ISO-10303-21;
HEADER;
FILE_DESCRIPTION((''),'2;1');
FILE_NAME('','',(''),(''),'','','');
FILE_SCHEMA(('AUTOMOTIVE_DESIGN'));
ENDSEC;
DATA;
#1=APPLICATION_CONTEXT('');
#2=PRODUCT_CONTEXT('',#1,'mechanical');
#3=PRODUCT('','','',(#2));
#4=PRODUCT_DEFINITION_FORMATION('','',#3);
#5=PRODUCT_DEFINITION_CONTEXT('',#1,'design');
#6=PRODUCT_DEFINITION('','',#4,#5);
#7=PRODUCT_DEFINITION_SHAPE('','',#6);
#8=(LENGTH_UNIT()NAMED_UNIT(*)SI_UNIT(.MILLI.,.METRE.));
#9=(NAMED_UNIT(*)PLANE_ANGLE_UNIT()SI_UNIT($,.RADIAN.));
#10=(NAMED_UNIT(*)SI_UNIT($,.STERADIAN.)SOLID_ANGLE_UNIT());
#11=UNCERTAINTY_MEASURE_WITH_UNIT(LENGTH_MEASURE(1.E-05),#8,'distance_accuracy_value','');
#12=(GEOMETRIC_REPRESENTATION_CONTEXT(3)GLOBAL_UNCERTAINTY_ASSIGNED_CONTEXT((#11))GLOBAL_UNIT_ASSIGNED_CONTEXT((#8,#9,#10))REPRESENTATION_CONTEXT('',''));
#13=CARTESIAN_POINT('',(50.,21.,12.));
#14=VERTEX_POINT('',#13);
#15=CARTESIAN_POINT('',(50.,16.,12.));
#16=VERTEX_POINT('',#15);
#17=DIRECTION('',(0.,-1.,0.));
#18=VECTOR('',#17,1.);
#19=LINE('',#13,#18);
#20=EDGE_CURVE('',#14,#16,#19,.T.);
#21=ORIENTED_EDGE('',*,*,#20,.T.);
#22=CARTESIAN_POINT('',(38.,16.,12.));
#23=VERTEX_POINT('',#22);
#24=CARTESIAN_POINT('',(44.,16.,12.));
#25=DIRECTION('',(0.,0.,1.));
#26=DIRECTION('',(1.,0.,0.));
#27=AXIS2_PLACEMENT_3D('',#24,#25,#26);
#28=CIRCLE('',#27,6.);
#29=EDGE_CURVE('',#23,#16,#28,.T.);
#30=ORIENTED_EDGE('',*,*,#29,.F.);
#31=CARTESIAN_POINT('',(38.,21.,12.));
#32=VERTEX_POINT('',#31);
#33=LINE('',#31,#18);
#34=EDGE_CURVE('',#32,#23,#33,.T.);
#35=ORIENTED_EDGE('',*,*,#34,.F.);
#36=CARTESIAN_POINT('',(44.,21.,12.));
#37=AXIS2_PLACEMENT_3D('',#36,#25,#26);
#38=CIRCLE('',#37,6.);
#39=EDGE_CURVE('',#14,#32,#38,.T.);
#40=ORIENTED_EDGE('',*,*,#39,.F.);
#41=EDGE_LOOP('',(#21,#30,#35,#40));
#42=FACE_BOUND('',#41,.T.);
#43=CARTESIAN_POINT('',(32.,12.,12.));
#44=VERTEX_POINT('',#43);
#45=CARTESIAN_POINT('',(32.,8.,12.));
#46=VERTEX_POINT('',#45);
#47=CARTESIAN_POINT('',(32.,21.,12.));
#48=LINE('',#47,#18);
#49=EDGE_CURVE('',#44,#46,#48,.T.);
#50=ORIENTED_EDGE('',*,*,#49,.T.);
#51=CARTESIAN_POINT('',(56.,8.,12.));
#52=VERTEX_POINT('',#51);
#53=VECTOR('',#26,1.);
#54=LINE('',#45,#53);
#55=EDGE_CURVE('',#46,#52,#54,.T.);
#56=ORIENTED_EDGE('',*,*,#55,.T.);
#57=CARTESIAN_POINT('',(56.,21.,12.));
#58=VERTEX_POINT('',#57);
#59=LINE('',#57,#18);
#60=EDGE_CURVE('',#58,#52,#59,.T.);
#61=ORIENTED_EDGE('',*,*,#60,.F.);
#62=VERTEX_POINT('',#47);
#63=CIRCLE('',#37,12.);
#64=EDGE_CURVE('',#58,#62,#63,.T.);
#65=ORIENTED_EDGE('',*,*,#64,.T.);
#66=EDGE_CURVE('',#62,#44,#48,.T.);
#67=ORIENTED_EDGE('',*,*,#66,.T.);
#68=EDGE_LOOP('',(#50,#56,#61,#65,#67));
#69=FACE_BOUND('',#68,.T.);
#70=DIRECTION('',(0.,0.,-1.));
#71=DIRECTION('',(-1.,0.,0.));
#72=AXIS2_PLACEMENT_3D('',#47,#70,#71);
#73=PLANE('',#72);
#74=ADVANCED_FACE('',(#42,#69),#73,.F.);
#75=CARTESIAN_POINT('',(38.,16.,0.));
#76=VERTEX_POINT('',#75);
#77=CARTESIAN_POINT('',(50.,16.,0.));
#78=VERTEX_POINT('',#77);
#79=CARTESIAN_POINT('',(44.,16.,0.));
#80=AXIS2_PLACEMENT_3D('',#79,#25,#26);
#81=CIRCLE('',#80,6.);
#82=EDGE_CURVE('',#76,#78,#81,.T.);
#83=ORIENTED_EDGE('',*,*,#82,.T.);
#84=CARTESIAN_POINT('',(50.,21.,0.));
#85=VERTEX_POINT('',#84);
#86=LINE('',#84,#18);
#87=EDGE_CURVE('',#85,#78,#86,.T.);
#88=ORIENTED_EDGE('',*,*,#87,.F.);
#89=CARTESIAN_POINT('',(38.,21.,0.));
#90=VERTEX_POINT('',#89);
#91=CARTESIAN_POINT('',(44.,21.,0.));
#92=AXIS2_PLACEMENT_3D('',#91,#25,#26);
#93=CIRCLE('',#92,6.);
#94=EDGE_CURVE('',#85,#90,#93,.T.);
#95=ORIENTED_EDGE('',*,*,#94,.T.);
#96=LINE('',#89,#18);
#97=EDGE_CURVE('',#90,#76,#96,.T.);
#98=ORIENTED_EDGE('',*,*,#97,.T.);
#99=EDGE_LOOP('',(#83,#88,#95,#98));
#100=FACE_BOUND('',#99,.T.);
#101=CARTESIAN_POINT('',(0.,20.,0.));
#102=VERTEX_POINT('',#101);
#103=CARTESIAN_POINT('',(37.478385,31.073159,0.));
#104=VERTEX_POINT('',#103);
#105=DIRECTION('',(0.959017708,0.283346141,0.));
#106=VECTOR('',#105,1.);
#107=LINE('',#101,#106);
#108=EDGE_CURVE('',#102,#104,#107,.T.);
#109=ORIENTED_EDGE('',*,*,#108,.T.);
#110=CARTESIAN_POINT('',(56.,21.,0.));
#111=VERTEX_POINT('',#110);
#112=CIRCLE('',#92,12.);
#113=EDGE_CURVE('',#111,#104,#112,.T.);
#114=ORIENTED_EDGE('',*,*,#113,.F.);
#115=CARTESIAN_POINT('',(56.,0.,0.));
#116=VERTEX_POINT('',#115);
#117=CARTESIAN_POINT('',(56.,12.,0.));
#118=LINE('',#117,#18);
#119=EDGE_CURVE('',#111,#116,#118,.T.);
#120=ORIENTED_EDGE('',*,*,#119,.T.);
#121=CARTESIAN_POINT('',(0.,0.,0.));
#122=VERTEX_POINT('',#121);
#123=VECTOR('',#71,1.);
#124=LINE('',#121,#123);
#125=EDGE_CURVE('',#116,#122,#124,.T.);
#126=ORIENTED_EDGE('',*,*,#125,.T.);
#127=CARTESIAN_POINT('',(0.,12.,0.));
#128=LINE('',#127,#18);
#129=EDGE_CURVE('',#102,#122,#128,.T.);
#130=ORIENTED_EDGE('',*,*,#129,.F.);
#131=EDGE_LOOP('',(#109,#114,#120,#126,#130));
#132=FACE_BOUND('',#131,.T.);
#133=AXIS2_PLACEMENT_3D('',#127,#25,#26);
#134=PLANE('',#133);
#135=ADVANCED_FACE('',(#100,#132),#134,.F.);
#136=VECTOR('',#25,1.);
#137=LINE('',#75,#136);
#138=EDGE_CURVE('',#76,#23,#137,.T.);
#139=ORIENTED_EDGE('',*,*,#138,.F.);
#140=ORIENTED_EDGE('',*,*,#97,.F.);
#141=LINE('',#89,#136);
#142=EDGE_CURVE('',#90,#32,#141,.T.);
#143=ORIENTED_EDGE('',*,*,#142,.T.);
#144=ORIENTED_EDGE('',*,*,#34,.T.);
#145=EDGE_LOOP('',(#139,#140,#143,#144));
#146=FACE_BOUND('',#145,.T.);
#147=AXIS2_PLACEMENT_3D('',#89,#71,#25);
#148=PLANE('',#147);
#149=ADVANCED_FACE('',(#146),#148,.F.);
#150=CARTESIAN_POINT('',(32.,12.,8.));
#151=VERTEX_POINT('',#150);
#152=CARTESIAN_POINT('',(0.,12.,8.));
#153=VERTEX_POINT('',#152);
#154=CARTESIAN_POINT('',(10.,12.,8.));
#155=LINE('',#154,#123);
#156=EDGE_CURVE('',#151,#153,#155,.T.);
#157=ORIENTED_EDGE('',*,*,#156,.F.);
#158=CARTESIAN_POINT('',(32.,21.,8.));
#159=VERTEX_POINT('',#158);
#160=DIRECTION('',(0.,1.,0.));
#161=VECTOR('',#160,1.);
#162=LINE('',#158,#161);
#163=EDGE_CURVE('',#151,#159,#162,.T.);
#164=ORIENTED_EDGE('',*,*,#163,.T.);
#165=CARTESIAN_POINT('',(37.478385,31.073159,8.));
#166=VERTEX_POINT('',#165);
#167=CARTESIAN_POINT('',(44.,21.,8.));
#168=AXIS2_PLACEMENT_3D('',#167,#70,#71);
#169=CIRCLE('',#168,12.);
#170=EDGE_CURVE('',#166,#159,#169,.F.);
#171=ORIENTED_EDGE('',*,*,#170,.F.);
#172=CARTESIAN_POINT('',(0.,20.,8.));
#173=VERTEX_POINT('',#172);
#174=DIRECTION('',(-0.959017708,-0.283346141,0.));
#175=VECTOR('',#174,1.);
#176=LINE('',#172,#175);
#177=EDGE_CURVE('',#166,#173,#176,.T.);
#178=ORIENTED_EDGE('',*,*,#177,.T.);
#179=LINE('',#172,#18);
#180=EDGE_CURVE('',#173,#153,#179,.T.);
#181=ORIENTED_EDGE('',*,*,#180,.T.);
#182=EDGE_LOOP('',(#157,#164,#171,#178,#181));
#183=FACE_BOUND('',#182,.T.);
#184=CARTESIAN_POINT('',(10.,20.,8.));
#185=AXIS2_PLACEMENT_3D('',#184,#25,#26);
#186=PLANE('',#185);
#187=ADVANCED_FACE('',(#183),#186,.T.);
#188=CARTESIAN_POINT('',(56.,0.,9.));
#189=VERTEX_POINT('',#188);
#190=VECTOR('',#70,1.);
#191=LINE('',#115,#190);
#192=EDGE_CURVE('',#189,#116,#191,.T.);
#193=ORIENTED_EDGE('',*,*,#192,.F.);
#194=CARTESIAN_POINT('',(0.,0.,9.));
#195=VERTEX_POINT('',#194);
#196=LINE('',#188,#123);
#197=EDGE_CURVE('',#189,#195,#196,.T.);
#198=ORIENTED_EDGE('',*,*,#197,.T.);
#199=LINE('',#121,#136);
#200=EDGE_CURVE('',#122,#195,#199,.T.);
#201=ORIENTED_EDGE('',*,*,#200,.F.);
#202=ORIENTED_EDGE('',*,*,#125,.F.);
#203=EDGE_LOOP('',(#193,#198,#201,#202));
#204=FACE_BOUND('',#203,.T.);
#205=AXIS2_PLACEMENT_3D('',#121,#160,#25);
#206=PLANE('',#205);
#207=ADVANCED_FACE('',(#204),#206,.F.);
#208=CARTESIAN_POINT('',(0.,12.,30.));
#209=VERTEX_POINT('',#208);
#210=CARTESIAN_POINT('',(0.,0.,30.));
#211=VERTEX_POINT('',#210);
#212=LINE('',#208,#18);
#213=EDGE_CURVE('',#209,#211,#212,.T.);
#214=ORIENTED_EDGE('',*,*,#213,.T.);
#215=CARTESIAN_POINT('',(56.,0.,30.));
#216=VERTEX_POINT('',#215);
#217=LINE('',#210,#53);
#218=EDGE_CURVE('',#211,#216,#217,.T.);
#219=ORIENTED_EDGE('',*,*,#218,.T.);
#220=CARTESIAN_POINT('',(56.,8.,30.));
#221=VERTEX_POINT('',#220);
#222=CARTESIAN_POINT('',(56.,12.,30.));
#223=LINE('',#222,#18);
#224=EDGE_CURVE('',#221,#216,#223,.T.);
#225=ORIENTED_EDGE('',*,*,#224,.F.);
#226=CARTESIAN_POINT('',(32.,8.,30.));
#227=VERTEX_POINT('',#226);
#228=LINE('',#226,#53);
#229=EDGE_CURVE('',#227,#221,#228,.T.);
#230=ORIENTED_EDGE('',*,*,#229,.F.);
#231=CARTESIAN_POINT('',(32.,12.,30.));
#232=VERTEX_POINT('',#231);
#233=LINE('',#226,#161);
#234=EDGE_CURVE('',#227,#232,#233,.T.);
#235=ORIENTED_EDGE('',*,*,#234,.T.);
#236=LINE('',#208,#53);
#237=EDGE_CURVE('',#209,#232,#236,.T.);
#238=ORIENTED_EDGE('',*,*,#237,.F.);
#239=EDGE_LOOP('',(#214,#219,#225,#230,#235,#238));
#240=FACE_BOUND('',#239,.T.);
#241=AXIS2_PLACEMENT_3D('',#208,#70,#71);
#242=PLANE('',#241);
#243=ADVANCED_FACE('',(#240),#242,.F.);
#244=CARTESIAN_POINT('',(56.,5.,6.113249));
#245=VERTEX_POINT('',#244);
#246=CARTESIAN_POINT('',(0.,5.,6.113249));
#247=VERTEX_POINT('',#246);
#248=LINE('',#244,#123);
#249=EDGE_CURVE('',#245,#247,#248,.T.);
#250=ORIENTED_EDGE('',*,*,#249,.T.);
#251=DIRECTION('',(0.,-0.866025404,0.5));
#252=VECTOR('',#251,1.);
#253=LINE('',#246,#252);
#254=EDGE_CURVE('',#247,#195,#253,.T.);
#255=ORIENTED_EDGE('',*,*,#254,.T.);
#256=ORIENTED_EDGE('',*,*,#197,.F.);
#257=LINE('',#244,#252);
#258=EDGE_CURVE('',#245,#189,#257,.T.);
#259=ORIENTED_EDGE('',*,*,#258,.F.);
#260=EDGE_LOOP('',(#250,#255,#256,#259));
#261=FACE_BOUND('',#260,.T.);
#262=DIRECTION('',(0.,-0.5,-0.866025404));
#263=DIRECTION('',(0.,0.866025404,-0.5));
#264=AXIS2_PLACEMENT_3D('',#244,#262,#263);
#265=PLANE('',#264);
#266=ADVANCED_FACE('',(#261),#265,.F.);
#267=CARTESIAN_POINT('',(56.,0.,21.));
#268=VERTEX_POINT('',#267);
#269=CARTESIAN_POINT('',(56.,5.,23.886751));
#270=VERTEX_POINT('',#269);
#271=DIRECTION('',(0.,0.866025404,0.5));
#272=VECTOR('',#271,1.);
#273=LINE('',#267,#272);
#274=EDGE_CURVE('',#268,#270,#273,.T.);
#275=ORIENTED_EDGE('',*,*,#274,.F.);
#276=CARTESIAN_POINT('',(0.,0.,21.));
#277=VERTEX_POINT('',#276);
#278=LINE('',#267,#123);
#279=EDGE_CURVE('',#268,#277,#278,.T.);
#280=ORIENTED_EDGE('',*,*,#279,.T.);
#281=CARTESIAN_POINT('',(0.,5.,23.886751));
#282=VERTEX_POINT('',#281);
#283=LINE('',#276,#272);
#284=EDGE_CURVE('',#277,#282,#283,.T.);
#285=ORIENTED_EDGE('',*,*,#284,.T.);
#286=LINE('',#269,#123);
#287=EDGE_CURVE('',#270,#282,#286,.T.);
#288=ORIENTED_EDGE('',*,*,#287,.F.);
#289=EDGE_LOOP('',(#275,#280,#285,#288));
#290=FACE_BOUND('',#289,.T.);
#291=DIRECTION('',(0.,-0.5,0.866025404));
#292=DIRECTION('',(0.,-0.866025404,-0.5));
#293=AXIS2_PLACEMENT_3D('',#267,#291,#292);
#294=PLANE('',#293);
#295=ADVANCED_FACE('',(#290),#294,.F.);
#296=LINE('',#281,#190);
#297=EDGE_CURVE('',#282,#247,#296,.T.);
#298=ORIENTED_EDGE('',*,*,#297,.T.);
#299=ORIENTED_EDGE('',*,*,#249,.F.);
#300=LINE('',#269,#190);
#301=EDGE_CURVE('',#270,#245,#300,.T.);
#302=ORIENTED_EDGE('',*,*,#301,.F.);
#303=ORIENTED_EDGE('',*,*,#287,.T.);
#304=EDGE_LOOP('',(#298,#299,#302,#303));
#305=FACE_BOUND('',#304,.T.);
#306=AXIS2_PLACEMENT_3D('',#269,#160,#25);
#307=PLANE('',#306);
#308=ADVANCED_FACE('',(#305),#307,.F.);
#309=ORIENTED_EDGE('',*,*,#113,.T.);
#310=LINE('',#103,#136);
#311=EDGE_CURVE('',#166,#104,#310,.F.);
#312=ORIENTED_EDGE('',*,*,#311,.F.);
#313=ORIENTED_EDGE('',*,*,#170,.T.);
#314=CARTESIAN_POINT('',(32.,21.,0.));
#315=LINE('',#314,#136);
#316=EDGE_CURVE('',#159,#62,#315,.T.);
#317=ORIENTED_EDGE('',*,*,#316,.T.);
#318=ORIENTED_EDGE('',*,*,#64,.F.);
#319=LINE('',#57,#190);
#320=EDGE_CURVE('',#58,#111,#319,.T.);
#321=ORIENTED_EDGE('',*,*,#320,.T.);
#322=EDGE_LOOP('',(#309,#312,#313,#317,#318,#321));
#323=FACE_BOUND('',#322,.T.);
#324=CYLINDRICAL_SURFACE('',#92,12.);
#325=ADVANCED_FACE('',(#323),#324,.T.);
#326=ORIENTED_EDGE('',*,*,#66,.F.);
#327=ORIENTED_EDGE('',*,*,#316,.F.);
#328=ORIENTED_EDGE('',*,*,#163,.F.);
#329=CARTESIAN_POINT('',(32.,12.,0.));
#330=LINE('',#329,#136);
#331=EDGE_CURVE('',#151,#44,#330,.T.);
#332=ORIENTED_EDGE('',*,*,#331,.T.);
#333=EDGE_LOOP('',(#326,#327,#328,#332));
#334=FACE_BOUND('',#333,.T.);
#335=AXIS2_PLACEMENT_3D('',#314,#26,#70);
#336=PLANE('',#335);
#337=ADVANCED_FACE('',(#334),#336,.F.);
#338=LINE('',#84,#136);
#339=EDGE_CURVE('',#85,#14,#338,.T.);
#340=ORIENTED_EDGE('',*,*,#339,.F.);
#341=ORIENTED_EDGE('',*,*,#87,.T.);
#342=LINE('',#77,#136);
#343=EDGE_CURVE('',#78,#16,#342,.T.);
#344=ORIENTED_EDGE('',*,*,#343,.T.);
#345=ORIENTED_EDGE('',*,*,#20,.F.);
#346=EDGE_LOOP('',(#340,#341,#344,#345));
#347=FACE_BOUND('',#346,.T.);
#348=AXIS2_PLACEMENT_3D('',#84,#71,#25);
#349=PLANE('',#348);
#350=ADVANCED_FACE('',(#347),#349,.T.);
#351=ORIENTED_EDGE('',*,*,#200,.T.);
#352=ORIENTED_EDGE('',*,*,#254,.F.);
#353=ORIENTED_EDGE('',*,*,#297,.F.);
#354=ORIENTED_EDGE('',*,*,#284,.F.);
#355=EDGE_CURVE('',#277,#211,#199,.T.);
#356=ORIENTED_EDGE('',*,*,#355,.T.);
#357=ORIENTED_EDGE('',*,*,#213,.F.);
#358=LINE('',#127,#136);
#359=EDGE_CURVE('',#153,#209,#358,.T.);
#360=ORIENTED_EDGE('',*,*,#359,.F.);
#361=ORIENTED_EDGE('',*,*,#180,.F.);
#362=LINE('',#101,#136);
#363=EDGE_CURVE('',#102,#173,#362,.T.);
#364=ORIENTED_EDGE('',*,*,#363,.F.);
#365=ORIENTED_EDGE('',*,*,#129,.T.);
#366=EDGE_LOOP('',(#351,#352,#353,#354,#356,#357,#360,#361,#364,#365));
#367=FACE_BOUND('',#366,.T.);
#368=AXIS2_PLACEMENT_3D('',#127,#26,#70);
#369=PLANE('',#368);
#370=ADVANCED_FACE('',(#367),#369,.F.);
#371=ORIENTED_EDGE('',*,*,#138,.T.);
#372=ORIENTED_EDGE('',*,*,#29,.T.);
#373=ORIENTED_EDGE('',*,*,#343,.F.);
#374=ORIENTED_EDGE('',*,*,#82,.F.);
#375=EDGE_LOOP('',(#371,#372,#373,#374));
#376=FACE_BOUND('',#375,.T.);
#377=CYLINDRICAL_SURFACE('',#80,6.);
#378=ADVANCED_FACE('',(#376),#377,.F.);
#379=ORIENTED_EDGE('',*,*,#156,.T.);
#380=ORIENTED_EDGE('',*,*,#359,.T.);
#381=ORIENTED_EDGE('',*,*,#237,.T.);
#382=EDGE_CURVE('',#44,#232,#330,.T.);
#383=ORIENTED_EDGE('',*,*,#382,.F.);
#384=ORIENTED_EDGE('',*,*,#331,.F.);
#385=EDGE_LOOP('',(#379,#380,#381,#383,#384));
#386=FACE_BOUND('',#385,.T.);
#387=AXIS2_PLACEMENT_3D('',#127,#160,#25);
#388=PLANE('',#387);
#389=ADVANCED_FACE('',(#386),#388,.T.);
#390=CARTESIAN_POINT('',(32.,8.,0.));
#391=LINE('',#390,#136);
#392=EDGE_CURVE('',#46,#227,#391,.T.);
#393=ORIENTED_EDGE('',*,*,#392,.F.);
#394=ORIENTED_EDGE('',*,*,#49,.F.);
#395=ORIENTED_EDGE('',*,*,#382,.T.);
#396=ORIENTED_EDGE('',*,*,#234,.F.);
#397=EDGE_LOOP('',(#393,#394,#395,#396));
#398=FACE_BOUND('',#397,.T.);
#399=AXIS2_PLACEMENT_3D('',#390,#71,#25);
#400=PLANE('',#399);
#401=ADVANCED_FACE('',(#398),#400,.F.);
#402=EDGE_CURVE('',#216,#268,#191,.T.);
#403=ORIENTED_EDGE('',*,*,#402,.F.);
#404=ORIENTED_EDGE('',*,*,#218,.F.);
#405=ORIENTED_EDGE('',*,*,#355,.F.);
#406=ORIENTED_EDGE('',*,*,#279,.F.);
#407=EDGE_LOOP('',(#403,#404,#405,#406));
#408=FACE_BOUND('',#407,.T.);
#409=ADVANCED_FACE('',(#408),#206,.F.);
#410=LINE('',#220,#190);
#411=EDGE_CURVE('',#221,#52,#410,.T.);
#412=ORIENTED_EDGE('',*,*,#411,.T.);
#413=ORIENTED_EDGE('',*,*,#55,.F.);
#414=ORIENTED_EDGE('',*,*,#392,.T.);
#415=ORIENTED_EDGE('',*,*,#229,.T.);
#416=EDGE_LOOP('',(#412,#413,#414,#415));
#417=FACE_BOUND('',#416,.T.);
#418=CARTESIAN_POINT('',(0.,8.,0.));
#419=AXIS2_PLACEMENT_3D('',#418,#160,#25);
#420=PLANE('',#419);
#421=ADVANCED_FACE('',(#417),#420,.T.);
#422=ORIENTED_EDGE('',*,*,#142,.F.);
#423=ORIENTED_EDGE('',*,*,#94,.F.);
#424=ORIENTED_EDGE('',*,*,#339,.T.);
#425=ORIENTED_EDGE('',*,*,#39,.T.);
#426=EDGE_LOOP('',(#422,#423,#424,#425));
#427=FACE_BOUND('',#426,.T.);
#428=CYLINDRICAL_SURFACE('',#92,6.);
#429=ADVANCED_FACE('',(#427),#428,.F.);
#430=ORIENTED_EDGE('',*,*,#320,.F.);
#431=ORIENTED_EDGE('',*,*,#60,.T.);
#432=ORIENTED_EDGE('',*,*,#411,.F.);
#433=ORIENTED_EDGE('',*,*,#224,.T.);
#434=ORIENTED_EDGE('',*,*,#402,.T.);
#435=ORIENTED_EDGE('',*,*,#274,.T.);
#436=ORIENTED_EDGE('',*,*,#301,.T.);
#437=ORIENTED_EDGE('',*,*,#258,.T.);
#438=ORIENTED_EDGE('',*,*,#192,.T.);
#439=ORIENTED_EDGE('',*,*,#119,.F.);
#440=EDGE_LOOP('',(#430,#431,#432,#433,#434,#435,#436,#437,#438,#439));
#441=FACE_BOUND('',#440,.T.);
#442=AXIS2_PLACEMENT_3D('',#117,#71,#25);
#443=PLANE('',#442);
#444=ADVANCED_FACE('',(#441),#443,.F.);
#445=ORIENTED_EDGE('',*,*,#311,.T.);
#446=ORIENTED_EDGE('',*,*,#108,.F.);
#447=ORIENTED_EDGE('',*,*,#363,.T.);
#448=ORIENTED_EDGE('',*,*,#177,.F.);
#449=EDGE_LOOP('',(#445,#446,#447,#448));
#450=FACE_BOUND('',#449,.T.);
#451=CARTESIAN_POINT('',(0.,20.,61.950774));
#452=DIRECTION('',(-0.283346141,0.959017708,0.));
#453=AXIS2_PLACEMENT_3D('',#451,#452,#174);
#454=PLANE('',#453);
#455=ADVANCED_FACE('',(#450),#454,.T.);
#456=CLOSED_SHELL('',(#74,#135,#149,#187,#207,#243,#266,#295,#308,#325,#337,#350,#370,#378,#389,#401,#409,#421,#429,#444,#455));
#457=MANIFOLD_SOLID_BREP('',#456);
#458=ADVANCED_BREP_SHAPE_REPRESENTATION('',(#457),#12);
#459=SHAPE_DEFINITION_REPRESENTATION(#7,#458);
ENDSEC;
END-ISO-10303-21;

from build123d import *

# Parameters (mm, degrees)
SKETCH_2_W          = 56
SKETCH_2_H          = 30
EXTRUDE_2_DEPTH     = 12
CUT_EXTRUDE_1_DEPTH = 65.652919501
SKETCH_6_W          = 24
SKETCH_6_H          = 30
CUT_EXTRUDE_2_DEPTH = 4
SKETCH_8_W          = 10
SKETCH_8_H          = 8
EXTRUDE_1_DEPTH     = 8
SKETCH_9_W          = 24
SKETCH_9_H          = 12
EXTRUDE_3_DEPTH     = 13
SKETCH_10_R         = 12
EXTRUDE_4_DEPTH     = 12
EXTRUDE_START       = -8
EXTRUDE_5_DEPTH     = 8
CUT_EXTRUDE_3_DEPTH = 68.446274916


with BuildPart() as part:
    # 草图2 → 凸台-拉伸2 (new body)
    with BuildSketch(Plane(origin=(0, 0, 0), x_dir=(1, 0, 0), z_dir=(0, 1, 0))):
        with Locations((28, -15)):
            Rectangle(SKETCH_2_W, SKETCH_2_H)
    extrude(amount=EXTRUDE_2_DEPTH)

    # 草图4 → 切除-拉伸1 (cut, through all)
    with BuildSketch(Plane.ZY):
        Polygon((9, 0), (21, 0), (23.886751346, 5), (6.113248654, 5), align=None)
    extrude(amount=-CUT_EXTRUDE_1_DEPTH, mode=Mode.SUBTRACT)

    # 草图6 → 切除-拉伸2 (cut)
    with BuildSketch(Plane(origin=(0, 12, 0), x_dir=(1, 0, 0), z_dir=(0, 1, 0))):
        with Locations((44, -15)):
            Rectangle(SKETCH_6_W, SKETCH_6_H)
    extrude(amount=-CUT_EXTRUDE_2_DEPTH, mode=Mode.SUBTRACT)

    # 草图8 → 拉伸-薄壁1 (add)
    with BuildSketch(Plane(origin=(0, 12, 0), x_dir=(1, 0, 0), z_dir=(0, 1, 0))):
        with Locations((5, -4)):
            Rectangle(SKETCH_8_W, SKETCH_8_H)
    extrude(amount=EXTRUDE_1_DEPTH)

    # 草图9 → 凸台-拉伸3 (add)
    with BuildSketch(Plane(origin=(0, 8, 0), x_dir=(1, 0, 0), z_dir=(0, 1, 0))):
        with Locations((44, -6)):
            Rectangle(SKETCH_9_W, SKETCH_9_H)
    extrude(amount=EXTRUDE_3_DEPTH)

    # 草图10 → 凸台-拉伸4 (add)
    with BuildSketch(Plane.XY.offset(12)):
        with Locations((44, 21)):
            Circle(SKETCH_10_R)
    extrude(amount=-EXTRUDE_4_DEPTH)

    # 草图13 → 凸台-拉伸5 (add)
    with BuildSketch(Plane(origin=(0, 0, 0), x_dir=(-1, 0, 0), z_dir=(0, 0, -1)).offset(EXTRUDE_START)):
        with BuildLine():
            Line((0, 20), (-44, 33))
            ThreePointArc((-44, 33), (-44.170266358, 32.998791996), (-44.340498436, 32.995168228))
            Line((-44.340498436, 32.995168228), (-44, 10))
            Line((-44, 10), (0, 10))
            Line((0, 10), (0, 20))
        make_face()
    extrude(amount=EXTRUDE_5_DEPTH)

    # 草图14 → 切除-拉伸3 (cut, through all)
    with BuildSketch(Plane.XY.offset(12)):
        with BuildLine():
            Line((38, 21), (38, 16))
            ThreePointArc((38, 16), (44, 10), (50, 16))
            Line((50, 16), (50, 21))
            ThreePointArc((50, 21), (44, 27), (38, 21))
        make_face()
    extrude(amount=-CUT_EXTRUDE_3_DEPTH, mode=Mode.SUBTRACT)


solid = part.part
